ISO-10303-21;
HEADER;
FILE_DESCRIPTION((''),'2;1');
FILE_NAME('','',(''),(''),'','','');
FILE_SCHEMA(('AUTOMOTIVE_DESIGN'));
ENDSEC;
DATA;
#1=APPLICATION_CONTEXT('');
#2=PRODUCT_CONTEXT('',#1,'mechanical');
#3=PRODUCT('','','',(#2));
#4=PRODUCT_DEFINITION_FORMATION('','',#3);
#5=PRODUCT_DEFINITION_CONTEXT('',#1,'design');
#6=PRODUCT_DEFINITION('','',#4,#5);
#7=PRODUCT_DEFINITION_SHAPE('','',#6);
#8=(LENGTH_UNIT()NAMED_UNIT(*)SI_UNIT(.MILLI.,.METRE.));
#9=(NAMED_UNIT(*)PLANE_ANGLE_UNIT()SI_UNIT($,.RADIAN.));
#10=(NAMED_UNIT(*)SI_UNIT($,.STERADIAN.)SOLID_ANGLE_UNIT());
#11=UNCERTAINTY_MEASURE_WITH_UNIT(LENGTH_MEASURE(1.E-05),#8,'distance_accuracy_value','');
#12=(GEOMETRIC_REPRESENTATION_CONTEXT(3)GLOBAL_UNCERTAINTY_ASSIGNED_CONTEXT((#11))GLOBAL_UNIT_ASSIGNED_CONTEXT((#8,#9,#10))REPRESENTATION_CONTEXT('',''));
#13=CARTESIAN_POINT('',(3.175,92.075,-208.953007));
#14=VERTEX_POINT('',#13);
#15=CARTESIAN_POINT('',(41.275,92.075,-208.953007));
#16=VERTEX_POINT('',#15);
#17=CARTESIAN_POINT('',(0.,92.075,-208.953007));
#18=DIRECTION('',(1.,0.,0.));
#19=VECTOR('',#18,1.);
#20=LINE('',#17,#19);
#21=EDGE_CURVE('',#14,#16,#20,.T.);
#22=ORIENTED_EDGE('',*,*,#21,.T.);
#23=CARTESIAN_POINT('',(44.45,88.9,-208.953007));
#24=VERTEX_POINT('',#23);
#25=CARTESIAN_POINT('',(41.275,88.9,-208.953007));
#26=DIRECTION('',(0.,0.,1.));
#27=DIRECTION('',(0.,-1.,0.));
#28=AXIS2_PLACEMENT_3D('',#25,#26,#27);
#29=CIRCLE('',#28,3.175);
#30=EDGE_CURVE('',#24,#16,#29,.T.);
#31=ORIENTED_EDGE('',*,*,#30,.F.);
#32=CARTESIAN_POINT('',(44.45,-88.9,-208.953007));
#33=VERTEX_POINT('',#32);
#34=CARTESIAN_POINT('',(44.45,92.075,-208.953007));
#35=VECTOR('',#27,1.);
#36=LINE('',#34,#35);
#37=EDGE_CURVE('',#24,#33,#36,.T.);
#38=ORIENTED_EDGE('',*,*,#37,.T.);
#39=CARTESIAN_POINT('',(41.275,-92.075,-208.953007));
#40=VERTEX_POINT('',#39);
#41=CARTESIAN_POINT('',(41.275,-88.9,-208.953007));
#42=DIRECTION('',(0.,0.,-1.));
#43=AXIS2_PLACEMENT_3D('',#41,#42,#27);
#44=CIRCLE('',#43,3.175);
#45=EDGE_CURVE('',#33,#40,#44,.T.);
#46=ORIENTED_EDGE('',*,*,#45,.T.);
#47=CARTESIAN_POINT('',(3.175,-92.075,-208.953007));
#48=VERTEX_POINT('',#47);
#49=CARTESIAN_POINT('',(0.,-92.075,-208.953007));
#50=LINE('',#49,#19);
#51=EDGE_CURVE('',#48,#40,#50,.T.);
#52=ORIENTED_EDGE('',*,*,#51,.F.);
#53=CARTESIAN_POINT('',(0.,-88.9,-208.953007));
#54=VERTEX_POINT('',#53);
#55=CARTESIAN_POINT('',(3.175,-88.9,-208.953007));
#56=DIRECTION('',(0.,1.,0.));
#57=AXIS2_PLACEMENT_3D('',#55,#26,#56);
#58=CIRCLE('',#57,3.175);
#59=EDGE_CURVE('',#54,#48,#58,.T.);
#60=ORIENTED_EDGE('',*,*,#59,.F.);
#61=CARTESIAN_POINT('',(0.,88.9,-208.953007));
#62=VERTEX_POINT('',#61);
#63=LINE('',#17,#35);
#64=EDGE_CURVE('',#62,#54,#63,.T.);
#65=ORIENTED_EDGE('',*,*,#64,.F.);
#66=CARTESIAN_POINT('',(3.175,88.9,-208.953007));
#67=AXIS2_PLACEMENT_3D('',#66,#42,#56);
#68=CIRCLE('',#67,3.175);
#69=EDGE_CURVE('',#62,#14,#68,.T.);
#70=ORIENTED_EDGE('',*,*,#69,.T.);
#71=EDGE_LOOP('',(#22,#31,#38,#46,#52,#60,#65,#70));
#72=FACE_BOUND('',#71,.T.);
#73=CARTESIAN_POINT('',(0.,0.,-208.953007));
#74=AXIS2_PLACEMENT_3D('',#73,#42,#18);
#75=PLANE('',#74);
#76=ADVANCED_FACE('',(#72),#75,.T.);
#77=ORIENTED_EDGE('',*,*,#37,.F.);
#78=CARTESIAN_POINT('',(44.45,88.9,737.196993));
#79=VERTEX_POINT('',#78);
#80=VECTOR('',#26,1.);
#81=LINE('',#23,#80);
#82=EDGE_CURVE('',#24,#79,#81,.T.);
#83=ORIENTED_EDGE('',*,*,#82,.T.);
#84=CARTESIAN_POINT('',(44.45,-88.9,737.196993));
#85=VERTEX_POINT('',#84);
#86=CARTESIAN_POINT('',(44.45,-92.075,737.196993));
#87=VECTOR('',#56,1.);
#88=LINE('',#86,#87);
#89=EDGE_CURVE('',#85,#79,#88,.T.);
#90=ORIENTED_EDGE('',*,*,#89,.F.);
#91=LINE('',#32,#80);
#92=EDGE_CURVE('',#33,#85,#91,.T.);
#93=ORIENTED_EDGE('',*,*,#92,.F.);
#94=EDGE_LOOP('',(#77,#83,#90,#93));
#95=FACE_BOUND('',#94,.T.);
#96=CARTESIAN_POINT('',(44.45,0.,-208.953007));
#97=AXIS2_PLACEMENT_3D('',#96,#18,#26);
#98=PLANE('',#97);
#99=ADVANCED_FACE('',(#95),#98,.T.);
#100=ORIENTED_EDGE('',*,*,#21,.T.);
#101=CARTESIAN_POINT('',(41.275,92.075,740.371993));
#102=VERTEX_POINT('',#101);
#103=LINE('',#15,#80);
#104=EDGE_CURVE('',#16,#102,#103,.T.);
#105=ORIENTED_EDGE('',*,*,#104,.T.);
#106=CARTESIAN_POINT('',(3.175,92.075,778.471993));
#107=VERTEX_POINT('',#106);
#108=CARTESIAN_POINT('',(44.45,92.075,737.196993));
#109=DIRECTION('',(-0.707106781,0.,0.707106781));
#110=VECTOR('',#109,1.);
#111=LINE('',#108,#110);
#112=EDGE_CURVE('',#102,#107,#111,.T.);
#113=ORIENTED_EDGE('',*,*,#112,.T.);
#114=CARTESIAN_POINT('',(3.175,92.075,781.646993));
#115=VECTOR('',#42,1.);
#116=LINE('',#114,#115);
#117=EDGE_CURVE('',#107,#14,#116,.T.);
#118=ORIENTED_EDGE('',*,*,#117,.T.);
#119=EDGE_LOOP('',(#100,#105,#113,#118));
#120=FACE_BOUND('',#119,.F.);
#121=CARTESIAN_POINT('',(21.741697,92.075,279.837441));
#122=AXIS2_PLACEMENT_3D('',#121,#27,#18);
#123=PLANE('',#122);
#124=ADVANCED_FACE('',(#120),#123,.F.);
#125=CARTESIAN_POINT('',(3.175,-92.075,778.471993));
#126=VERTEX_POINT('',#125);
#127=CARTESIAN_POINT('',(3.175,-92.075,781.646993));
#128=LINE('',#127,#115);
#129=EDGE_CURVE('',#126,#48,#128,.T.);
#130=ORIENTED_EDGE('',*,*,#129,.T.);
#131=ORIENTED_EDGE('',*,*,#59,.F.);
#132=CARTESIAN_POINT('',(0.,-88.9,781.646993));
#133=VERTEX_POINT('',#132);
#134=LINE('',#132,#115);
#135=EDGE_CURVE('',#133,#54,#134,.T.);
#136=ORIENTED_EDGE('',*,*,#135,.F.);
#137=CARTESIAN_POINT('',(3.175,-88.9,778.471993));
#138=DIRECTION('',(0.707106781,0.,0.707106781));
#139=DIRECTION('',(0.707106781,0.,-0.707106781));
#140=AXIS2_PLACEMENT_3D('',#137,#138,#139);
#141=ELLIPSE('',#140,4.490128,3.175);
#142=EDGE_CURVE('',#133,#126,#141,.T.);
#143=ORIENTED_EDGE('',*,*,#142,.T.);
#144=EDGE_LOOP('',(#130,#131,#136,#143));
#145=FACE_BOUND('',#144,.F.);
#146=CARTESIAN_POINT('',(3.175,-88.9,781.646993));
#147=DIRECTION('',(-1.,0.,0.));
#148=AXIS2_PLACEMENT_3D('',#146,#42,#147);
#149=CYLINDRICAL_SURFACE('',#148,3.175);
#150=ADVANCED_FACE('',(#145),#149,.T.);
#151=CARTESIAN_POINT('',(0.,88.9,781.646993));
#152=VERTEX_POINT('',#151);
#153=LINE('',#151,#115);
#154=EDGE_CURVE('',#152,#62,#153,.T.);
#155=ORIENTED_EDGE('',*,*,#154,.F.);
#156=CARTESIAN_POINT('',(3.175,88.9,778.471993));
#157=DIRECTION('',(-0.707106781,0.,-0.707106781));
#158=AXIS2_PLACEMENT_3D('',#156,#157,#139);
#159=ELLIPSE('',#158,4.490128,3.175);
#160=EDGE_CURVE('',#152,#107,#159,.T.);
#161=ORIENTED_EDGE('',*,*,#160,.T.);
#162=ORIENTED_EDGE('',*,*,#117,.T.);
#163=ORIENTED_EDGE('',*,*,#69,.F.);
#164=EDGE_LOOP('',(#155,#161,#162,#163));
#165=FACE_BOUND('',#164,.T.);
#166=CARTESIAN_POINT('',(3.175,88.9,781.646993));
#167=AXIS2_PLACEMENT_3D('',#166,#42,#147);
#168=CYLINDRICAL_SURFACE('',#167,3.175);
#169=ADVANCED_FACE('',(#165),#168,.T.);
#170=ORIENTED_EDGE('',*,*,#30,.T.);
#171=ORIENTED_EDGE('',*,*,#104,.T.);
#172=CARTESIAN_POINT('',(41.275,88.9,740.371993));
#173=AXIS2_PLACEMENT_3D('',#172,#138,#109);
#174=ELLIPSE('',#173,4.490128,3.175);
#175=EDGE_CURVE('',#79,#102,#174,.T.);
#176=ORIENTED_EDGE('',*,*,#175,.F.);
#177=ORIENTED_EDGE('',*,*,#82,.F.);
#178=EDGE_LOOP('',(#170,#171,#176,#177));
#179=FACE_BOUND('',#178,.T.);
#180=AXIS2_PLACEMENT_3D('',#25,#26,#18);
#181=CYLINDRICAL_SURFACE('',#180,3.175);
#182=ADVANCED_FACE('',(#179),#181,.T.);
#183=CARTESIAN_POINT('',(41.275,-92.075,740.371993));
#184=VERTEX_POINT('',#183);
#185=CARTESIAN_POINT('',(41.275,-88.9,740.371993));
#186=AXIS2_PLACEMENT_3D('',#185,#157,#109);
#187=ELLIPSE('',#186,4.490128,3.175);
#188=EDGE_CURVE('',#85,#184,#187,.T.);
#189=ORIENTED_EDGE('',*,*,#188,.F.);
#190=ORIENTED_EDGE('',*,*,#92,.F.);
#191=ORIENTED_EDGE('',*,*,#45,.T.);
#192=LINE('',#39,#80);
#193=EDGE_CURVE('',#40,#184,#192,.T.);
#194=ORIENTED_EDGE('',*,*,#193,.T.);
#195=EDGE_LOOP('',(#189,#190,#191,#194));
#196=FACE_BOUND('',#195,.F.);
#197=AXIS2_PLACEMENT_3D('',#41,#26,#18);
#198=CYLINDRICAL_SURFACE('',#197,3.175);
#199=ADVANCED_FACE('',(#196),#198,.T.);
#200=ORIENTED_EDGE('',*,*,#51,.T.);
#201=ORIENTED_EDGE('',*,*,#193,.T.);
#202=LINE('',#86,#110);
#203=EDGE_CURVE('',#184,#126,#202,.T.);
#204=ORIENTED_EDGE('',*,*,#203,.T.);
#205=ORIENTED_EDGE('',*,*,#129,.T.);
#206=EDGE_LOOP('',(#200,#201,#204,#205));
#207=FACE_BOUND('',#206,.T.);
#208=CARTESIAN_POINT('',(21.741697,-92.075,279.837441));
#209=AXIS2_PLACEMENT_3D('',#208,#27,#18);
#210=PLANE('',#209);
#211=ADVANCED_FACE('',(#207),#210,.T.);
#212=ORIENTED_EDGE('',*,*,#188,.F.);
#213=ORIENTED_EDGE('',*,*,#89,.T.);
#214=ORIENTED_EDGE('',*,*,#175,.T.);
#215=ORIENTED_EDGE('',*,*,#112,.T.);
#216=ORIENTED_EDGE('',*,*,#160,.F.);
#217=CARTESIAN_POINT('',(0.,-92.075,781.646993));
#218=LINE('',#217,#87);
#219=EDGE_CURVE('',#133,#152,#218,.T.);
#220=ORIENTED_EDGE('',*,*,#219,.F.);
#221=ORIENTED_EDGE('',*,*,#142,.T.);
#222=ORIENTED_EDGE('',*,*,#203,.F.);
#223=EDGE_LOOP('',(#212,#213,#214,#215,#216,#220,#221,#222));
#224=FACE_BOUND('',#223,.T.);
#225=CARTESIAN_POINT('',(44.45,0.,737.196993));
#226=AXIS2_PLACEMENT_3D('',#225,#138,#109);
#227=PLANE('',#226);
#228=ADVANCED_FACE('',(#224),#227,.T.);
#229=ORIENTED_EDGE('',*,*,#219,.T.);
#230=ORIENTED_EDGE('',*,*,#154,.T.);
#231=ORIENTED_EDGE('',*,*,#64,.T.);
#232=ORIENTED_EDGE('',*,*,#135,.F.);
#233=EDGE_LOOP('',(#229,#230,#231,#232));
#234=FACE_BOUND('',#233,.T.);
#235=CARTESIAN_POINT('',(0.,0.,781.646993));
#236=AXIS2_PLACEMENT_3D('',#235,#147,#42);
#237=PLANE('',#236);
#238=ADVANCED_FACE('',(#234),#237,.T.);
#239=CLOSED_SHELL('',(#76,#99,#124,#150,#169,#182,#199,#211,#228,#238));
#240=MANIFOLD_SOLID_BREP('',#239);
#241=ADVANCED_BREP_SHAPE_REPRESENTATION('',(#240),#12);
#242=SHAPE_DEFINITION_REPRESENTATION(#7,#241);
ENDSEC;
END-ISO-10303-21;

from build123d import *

# Parameters (mm, degrees)
F1_DEPTH = 92.075
F2_R     = 3.175


with BuildPart() as f1:
    # F0 (on Front) → F1 (new body, symmetric)
    with BuildSketch(Plane.XZ):
        Polygon((0, 781.646993), (0, -208.953007), (44.45, -208.953007), (44.45, 737.196993), align=None)
    extrude(amount=F1_DEPTH, both=True)

    # F2
    f2_edges = [f1.edges().sort_by_distance(p)[0] for p in [
        (0, -92.075, 286.346993),
        (44.45, -92.075, 264.121993),
        (44.45, 92.075, 264.121993),
        (0, 92.075, 286.346993),
    ]]
    fillet(f2_edges, radius=F2_R)


solid = f1.part
